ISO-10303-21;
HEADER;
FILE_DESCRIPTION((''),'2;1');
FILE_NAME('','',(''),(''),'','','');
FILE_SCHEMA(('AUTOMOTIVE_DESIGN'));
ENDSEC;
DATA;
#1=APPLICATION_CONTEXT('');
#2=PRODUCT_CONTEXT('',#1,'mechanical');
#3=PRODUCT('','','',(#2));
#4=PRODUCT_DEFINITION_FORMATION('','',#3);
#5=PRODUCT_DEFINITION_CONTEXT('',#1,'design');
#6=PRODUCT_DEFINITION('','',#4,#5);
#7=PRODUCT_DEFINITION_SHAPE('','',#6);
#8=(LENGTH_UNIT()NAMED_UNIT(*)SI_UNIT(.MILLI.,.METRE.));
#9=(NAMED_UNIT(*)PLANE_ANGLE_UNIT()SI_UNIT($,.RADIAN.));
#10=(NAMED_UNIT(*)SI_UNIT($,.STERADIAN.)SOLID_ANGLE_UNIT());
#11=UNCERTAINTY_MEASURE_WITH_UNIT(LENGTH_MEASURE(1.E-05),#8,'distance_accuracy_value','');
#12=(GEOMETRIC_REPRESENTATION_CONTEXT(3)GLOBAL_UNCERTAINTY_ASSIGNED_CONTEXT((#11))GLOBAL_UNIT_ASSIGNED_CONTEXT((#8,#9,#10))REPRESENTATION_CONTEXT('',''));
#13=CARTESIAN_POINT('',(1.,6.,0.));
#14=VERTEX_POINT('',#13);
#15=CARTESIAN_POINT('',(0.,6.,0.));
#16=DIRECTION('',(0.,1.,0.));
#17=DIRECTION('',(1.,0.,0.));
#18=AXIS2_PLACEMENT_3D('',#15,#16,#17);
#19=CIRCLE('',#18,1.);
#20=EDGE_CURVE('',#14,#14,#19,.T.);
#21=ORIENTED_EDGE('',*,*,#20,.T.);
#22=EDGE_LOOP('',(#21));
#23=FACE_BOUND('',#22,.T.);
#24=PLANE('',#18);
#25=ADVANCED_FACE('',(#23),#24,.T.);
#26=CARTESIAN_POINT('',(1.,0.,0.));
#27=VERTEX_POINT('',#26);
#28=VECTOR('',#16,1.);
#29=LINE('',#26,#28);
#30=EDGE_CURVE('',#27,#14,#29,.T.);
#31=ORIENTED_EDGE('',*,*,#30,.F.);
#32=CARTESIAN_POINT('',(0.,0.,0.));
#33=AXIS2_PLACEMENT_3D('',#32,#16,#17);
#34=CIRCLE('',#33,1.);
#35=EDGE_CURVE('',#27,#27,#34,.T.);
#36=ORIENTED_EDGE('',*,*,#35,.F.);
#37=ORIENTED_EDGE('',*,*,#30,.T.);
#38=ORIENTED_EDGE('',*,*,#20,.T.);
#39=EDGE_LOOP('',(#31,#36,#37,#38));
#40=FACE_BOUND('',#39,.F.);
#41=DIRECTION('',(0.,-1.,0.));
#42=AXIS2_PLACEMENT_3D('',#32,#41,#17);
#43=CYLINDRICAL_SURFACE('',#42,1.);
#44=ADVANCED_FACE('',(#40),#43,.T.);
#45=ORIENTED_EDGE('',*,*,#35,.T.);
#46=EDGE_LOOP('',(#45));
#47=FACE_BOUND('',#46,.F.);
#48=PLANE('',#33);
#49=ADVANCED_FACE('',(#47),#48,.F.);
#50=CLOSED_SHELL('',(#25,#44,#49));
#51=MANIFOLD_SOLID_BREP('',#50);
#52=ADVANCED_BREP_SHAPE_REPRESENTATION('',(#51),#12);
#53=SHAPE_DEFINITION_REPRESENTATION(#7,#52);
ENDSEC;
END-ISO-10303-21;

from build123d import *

# Parameters (mm, degrees)
SKETCH1_R           = 1
BOSS_EXTRUDE1_DEPTH = 6


with BuildPart() as part:
    # Sketch1 → Boss-Extrude1 (new body)
    with BuildSketch(Plane(origin=(0, 0, 0), x_dir=(1, 0, 0), z_dir=(0, 1, 0))):
        Circle(SKETCH1_R)
    extrude(amount=BOSS_EXTRUDE1_DEPTH)


solid = part.part
